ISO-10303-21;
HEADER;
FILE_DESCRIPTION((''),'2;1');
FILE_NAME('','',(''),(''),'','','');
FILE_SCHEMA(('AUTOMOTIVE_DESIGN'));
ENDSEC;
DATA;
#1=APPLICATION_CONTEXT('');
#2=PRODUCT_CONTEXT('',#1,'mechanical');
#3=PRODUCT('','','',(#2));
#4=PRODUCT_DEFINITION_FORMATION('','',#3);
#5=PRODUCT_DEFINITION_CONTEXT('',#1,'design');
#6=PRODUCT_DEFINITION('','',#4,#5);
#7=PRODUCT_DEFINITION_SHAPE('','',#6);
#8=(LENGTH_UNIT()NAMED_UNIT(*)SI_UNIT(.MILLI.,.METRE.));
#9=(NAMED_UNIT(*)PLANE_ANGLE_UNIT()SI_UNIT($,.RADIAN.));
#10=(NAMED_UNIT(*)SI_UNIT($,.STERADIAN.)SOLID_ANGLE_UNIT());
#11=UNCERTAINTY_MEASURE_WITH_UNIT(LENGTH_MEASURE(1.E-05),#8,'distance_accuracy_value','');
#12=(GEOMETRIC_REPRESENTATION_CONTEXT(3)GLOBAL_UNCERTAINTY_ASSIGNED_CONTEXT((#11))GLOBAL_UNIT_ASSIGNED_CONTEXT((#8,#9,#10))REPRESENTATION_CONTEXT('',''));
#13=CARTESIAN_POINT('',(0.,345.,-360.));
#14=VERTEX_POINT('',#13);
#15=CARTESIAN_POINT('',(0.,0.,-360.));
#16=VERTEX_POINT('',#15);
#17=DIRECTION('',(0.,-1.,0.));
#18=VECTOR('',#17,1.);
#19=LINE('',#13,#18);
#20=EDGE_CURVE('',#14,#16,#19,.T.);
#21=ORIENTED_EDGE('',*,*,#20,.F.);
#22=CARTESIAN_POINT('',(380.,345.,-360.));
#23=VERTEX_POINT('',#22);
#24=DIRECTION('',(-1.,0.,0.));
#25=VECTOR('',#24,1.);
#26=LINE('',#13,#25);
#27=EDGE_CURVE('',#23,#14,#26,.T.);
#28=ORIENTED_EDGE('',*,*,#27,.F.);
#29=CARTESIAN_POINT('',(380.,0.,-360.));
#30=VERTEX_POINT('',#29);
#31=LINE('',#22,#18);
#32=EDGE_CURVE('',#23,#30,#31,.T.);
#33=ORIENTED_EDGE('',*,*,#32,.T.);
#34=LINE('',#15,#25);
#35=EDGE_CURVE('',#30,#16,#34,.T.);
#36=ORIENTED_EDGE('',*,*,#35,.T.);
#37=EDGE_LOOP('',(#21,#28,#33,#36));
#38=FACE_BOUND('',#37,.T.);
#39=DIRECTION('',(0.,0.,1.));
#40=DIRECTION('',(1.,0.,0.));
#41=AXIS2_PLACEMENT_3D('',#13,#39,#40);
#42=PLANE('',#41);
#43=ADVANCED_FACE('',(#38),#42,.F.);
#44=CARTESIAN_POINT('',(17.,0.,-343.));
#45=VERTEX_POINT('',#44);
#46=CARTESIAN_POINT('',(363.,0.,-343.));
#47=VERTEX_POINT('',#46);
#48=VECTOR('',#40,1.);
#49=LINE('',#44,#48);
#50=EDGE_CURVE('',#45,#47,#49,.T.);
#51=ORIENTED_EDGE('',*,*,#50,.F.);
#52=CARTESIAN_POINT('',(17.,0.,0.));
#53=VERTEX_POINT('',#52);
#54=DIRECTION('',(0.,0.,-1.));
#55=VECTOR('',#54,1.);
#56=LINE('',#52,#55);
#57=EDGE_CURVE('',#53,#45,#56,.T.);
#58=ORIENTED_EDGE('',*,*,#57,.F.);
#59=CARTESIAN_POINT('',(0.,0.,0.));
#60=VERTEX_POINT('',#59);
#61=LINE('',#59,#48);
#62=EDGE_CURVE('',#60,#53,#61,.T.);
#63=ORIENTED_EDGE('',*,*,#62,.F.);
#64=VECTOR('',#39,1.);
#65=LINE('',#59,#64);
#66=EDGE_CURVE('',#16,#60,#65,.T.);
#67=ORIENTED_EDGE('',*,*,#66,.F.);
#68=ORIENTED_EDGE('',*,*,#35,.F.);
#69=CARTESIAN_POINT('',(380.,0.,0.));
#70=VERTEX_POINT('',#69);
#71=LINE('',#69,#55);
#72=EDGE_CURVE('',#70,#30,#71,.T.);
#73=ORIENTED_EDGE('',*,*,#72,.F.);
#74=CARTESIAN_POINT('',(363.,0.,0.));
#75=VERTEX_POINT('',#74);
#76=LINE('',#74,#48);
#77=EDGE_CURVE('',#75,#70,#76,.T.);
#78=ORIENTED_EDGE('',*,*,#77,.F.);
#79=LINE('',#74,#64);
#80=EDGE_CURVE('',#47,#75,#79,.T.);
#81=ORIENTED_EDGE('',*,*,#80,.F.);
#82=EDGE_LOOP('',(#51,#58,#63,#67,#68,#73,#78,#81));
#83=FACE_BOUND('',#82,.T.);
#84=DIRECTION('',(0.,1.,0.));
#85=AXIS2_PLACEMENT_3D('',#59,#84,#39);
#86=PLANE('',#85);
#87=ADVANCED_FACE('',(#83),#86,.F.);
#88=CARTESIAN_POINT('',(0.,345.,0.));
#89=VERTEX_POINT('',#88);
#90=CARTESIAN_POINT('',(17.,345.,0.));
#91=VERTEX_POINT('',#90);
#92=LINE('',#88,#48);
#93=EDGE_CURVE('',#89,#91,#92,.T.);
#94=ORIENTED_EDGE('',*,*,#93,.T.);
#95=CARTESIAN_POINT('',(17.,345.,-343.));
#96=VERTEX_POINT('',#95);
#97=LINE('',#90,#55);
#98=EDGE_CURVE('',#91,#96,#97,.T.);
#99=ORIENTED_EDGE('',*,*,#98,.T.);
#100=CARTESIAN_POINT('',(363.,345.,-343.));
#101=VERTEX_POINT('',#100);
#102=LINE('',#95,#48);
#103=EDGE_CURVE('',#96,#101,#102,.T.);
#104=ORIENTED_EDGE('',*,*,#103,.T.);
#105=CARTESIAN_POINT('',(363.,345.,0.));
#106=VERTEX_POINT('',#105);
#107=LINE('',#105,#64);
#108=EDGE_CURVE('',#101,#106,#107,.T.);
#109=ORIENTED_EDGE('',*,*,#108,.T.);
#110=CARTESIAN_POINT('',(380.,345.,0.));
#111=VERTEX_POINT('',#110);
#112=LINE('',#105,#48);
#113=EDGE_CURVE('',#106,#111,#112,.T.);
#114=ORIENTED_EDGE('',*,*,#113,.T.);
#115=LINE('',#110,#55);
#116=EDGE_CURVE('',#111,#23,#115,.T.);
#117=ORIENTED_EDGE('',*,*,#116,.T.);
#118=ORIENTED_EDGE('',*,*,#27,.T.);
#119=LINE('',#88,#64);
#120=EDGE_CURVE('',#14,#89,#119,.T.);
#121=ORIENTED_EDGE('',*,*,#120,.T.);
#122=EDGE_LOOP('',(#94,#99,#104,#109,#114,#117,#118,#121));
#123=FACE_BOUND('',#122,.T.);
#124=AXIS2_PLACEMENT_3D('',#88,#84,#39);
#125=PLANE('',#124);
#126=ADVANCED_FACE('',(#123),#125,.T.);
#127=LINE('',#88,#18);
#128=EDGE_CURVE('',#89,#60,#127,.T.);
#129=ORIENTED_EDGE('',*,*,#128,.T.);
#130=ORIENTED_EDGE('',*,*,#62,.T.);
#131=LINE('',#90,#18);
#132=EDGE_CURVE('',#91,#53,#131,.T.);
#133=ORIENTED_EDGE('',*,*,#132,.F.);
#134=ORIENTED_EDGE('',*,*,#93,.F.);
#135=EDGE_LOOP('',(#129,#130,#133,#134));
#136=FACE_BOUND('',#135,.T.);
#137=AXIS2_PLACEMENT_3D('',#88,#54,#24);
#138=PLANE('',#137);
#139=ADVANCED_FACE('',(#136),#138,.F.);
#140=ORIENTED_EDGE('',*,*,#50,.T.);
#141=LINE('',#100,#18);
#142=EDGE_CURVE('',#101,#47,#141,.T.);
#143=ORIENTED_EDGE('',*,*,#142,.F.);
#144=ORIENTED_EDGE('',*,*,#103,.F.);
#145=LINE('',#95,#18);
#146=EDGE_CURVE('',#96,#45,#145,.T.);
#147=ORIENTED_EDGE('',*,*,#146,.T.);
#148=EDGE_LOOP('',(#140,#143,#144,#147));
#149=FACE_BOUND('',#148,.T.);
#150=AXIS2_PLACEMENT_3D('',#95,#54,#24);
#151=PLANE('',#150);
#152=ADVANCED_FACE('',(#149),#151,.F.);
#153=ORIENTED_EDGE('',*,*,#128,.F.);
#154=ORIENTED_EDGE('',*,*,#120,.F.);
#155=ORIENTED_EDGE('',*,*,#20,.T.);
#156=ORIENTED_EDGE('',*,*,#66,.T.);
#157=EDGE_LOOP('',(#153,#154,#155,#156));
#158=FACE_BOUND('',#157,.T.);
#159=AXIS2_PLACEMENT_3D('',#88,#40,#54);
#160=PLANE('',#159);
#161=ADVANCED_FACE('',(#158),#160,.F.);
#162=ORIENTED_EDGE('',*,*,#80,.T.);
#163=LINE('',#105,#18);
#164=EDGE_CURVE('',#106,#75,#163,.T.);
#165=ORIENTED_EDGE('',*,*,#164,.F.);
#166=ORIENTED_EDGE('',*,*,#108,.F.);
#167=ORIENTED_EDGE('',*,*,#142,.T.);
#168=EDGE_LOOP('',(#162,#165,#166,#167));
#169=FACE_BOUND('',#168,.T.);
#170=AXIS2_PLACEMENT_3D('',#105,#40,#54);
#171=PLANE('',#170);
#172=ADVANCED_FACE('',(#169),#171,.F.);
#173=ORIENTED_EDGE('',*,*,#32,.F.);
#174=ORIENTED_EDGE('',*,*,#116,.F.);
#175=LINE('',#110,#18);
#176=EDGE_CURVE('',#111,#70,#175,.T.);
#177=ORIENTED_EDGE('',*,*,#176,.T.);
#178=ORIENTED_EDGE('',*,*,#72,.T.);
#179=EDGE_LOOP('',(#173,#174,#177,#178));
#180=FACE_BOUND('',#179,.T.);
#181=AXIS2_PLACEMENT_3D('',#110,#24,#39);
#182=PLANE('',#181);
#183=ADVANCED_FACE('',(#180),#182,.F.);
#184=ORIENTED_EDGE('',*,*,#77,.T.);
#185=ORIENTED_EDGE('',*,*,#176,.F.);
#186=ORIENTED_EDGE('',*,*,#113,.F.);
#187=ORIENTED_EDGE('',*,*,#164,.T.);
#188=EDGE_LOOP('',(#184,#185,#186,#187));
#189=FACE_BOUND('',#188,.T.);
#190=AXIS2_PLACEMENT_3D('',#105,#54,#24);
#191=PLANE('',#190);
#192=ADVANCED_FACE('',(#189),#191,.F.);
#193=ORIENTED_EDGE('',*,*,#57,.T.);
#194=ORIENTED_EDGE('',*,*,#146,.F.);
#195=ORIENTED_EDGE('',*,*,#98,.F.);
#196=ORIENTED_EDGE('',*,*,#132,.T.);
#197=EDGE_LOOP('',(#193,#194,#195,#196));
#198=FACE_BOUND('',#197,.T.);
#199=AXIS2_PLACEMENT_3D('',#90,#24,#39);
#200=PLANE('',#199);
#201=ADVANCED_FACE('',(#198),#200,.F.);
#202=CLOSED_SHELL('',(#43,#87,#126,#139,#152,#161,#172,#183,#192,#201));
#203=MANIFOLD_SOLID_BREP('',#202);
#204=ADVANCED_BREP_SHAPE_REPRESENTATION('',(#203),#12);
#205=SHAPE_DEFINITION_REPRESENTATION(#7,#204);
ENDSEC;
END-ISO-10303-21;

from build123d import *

# Parameters (mm, degrees)
BOSS_EXTRUDE1_DEPTH = 345


with BuildPart() as part:
    # Sketch2 → Boss-Extrude1 (new body)
    with BuildSketch(Plane(origin=(0, 0, 0), x_dir=(1, 0, 0), z_dir=(0, 1, 0))):
        Polygon((17, 0), (17, 343), (363, 343), (363, 0), (380, 0), (380, 360), (0, 360), (0, 0), align=None)
    extrude(amount=BOSS_EXTRUDE1_DEPTH)


solid = part.part
